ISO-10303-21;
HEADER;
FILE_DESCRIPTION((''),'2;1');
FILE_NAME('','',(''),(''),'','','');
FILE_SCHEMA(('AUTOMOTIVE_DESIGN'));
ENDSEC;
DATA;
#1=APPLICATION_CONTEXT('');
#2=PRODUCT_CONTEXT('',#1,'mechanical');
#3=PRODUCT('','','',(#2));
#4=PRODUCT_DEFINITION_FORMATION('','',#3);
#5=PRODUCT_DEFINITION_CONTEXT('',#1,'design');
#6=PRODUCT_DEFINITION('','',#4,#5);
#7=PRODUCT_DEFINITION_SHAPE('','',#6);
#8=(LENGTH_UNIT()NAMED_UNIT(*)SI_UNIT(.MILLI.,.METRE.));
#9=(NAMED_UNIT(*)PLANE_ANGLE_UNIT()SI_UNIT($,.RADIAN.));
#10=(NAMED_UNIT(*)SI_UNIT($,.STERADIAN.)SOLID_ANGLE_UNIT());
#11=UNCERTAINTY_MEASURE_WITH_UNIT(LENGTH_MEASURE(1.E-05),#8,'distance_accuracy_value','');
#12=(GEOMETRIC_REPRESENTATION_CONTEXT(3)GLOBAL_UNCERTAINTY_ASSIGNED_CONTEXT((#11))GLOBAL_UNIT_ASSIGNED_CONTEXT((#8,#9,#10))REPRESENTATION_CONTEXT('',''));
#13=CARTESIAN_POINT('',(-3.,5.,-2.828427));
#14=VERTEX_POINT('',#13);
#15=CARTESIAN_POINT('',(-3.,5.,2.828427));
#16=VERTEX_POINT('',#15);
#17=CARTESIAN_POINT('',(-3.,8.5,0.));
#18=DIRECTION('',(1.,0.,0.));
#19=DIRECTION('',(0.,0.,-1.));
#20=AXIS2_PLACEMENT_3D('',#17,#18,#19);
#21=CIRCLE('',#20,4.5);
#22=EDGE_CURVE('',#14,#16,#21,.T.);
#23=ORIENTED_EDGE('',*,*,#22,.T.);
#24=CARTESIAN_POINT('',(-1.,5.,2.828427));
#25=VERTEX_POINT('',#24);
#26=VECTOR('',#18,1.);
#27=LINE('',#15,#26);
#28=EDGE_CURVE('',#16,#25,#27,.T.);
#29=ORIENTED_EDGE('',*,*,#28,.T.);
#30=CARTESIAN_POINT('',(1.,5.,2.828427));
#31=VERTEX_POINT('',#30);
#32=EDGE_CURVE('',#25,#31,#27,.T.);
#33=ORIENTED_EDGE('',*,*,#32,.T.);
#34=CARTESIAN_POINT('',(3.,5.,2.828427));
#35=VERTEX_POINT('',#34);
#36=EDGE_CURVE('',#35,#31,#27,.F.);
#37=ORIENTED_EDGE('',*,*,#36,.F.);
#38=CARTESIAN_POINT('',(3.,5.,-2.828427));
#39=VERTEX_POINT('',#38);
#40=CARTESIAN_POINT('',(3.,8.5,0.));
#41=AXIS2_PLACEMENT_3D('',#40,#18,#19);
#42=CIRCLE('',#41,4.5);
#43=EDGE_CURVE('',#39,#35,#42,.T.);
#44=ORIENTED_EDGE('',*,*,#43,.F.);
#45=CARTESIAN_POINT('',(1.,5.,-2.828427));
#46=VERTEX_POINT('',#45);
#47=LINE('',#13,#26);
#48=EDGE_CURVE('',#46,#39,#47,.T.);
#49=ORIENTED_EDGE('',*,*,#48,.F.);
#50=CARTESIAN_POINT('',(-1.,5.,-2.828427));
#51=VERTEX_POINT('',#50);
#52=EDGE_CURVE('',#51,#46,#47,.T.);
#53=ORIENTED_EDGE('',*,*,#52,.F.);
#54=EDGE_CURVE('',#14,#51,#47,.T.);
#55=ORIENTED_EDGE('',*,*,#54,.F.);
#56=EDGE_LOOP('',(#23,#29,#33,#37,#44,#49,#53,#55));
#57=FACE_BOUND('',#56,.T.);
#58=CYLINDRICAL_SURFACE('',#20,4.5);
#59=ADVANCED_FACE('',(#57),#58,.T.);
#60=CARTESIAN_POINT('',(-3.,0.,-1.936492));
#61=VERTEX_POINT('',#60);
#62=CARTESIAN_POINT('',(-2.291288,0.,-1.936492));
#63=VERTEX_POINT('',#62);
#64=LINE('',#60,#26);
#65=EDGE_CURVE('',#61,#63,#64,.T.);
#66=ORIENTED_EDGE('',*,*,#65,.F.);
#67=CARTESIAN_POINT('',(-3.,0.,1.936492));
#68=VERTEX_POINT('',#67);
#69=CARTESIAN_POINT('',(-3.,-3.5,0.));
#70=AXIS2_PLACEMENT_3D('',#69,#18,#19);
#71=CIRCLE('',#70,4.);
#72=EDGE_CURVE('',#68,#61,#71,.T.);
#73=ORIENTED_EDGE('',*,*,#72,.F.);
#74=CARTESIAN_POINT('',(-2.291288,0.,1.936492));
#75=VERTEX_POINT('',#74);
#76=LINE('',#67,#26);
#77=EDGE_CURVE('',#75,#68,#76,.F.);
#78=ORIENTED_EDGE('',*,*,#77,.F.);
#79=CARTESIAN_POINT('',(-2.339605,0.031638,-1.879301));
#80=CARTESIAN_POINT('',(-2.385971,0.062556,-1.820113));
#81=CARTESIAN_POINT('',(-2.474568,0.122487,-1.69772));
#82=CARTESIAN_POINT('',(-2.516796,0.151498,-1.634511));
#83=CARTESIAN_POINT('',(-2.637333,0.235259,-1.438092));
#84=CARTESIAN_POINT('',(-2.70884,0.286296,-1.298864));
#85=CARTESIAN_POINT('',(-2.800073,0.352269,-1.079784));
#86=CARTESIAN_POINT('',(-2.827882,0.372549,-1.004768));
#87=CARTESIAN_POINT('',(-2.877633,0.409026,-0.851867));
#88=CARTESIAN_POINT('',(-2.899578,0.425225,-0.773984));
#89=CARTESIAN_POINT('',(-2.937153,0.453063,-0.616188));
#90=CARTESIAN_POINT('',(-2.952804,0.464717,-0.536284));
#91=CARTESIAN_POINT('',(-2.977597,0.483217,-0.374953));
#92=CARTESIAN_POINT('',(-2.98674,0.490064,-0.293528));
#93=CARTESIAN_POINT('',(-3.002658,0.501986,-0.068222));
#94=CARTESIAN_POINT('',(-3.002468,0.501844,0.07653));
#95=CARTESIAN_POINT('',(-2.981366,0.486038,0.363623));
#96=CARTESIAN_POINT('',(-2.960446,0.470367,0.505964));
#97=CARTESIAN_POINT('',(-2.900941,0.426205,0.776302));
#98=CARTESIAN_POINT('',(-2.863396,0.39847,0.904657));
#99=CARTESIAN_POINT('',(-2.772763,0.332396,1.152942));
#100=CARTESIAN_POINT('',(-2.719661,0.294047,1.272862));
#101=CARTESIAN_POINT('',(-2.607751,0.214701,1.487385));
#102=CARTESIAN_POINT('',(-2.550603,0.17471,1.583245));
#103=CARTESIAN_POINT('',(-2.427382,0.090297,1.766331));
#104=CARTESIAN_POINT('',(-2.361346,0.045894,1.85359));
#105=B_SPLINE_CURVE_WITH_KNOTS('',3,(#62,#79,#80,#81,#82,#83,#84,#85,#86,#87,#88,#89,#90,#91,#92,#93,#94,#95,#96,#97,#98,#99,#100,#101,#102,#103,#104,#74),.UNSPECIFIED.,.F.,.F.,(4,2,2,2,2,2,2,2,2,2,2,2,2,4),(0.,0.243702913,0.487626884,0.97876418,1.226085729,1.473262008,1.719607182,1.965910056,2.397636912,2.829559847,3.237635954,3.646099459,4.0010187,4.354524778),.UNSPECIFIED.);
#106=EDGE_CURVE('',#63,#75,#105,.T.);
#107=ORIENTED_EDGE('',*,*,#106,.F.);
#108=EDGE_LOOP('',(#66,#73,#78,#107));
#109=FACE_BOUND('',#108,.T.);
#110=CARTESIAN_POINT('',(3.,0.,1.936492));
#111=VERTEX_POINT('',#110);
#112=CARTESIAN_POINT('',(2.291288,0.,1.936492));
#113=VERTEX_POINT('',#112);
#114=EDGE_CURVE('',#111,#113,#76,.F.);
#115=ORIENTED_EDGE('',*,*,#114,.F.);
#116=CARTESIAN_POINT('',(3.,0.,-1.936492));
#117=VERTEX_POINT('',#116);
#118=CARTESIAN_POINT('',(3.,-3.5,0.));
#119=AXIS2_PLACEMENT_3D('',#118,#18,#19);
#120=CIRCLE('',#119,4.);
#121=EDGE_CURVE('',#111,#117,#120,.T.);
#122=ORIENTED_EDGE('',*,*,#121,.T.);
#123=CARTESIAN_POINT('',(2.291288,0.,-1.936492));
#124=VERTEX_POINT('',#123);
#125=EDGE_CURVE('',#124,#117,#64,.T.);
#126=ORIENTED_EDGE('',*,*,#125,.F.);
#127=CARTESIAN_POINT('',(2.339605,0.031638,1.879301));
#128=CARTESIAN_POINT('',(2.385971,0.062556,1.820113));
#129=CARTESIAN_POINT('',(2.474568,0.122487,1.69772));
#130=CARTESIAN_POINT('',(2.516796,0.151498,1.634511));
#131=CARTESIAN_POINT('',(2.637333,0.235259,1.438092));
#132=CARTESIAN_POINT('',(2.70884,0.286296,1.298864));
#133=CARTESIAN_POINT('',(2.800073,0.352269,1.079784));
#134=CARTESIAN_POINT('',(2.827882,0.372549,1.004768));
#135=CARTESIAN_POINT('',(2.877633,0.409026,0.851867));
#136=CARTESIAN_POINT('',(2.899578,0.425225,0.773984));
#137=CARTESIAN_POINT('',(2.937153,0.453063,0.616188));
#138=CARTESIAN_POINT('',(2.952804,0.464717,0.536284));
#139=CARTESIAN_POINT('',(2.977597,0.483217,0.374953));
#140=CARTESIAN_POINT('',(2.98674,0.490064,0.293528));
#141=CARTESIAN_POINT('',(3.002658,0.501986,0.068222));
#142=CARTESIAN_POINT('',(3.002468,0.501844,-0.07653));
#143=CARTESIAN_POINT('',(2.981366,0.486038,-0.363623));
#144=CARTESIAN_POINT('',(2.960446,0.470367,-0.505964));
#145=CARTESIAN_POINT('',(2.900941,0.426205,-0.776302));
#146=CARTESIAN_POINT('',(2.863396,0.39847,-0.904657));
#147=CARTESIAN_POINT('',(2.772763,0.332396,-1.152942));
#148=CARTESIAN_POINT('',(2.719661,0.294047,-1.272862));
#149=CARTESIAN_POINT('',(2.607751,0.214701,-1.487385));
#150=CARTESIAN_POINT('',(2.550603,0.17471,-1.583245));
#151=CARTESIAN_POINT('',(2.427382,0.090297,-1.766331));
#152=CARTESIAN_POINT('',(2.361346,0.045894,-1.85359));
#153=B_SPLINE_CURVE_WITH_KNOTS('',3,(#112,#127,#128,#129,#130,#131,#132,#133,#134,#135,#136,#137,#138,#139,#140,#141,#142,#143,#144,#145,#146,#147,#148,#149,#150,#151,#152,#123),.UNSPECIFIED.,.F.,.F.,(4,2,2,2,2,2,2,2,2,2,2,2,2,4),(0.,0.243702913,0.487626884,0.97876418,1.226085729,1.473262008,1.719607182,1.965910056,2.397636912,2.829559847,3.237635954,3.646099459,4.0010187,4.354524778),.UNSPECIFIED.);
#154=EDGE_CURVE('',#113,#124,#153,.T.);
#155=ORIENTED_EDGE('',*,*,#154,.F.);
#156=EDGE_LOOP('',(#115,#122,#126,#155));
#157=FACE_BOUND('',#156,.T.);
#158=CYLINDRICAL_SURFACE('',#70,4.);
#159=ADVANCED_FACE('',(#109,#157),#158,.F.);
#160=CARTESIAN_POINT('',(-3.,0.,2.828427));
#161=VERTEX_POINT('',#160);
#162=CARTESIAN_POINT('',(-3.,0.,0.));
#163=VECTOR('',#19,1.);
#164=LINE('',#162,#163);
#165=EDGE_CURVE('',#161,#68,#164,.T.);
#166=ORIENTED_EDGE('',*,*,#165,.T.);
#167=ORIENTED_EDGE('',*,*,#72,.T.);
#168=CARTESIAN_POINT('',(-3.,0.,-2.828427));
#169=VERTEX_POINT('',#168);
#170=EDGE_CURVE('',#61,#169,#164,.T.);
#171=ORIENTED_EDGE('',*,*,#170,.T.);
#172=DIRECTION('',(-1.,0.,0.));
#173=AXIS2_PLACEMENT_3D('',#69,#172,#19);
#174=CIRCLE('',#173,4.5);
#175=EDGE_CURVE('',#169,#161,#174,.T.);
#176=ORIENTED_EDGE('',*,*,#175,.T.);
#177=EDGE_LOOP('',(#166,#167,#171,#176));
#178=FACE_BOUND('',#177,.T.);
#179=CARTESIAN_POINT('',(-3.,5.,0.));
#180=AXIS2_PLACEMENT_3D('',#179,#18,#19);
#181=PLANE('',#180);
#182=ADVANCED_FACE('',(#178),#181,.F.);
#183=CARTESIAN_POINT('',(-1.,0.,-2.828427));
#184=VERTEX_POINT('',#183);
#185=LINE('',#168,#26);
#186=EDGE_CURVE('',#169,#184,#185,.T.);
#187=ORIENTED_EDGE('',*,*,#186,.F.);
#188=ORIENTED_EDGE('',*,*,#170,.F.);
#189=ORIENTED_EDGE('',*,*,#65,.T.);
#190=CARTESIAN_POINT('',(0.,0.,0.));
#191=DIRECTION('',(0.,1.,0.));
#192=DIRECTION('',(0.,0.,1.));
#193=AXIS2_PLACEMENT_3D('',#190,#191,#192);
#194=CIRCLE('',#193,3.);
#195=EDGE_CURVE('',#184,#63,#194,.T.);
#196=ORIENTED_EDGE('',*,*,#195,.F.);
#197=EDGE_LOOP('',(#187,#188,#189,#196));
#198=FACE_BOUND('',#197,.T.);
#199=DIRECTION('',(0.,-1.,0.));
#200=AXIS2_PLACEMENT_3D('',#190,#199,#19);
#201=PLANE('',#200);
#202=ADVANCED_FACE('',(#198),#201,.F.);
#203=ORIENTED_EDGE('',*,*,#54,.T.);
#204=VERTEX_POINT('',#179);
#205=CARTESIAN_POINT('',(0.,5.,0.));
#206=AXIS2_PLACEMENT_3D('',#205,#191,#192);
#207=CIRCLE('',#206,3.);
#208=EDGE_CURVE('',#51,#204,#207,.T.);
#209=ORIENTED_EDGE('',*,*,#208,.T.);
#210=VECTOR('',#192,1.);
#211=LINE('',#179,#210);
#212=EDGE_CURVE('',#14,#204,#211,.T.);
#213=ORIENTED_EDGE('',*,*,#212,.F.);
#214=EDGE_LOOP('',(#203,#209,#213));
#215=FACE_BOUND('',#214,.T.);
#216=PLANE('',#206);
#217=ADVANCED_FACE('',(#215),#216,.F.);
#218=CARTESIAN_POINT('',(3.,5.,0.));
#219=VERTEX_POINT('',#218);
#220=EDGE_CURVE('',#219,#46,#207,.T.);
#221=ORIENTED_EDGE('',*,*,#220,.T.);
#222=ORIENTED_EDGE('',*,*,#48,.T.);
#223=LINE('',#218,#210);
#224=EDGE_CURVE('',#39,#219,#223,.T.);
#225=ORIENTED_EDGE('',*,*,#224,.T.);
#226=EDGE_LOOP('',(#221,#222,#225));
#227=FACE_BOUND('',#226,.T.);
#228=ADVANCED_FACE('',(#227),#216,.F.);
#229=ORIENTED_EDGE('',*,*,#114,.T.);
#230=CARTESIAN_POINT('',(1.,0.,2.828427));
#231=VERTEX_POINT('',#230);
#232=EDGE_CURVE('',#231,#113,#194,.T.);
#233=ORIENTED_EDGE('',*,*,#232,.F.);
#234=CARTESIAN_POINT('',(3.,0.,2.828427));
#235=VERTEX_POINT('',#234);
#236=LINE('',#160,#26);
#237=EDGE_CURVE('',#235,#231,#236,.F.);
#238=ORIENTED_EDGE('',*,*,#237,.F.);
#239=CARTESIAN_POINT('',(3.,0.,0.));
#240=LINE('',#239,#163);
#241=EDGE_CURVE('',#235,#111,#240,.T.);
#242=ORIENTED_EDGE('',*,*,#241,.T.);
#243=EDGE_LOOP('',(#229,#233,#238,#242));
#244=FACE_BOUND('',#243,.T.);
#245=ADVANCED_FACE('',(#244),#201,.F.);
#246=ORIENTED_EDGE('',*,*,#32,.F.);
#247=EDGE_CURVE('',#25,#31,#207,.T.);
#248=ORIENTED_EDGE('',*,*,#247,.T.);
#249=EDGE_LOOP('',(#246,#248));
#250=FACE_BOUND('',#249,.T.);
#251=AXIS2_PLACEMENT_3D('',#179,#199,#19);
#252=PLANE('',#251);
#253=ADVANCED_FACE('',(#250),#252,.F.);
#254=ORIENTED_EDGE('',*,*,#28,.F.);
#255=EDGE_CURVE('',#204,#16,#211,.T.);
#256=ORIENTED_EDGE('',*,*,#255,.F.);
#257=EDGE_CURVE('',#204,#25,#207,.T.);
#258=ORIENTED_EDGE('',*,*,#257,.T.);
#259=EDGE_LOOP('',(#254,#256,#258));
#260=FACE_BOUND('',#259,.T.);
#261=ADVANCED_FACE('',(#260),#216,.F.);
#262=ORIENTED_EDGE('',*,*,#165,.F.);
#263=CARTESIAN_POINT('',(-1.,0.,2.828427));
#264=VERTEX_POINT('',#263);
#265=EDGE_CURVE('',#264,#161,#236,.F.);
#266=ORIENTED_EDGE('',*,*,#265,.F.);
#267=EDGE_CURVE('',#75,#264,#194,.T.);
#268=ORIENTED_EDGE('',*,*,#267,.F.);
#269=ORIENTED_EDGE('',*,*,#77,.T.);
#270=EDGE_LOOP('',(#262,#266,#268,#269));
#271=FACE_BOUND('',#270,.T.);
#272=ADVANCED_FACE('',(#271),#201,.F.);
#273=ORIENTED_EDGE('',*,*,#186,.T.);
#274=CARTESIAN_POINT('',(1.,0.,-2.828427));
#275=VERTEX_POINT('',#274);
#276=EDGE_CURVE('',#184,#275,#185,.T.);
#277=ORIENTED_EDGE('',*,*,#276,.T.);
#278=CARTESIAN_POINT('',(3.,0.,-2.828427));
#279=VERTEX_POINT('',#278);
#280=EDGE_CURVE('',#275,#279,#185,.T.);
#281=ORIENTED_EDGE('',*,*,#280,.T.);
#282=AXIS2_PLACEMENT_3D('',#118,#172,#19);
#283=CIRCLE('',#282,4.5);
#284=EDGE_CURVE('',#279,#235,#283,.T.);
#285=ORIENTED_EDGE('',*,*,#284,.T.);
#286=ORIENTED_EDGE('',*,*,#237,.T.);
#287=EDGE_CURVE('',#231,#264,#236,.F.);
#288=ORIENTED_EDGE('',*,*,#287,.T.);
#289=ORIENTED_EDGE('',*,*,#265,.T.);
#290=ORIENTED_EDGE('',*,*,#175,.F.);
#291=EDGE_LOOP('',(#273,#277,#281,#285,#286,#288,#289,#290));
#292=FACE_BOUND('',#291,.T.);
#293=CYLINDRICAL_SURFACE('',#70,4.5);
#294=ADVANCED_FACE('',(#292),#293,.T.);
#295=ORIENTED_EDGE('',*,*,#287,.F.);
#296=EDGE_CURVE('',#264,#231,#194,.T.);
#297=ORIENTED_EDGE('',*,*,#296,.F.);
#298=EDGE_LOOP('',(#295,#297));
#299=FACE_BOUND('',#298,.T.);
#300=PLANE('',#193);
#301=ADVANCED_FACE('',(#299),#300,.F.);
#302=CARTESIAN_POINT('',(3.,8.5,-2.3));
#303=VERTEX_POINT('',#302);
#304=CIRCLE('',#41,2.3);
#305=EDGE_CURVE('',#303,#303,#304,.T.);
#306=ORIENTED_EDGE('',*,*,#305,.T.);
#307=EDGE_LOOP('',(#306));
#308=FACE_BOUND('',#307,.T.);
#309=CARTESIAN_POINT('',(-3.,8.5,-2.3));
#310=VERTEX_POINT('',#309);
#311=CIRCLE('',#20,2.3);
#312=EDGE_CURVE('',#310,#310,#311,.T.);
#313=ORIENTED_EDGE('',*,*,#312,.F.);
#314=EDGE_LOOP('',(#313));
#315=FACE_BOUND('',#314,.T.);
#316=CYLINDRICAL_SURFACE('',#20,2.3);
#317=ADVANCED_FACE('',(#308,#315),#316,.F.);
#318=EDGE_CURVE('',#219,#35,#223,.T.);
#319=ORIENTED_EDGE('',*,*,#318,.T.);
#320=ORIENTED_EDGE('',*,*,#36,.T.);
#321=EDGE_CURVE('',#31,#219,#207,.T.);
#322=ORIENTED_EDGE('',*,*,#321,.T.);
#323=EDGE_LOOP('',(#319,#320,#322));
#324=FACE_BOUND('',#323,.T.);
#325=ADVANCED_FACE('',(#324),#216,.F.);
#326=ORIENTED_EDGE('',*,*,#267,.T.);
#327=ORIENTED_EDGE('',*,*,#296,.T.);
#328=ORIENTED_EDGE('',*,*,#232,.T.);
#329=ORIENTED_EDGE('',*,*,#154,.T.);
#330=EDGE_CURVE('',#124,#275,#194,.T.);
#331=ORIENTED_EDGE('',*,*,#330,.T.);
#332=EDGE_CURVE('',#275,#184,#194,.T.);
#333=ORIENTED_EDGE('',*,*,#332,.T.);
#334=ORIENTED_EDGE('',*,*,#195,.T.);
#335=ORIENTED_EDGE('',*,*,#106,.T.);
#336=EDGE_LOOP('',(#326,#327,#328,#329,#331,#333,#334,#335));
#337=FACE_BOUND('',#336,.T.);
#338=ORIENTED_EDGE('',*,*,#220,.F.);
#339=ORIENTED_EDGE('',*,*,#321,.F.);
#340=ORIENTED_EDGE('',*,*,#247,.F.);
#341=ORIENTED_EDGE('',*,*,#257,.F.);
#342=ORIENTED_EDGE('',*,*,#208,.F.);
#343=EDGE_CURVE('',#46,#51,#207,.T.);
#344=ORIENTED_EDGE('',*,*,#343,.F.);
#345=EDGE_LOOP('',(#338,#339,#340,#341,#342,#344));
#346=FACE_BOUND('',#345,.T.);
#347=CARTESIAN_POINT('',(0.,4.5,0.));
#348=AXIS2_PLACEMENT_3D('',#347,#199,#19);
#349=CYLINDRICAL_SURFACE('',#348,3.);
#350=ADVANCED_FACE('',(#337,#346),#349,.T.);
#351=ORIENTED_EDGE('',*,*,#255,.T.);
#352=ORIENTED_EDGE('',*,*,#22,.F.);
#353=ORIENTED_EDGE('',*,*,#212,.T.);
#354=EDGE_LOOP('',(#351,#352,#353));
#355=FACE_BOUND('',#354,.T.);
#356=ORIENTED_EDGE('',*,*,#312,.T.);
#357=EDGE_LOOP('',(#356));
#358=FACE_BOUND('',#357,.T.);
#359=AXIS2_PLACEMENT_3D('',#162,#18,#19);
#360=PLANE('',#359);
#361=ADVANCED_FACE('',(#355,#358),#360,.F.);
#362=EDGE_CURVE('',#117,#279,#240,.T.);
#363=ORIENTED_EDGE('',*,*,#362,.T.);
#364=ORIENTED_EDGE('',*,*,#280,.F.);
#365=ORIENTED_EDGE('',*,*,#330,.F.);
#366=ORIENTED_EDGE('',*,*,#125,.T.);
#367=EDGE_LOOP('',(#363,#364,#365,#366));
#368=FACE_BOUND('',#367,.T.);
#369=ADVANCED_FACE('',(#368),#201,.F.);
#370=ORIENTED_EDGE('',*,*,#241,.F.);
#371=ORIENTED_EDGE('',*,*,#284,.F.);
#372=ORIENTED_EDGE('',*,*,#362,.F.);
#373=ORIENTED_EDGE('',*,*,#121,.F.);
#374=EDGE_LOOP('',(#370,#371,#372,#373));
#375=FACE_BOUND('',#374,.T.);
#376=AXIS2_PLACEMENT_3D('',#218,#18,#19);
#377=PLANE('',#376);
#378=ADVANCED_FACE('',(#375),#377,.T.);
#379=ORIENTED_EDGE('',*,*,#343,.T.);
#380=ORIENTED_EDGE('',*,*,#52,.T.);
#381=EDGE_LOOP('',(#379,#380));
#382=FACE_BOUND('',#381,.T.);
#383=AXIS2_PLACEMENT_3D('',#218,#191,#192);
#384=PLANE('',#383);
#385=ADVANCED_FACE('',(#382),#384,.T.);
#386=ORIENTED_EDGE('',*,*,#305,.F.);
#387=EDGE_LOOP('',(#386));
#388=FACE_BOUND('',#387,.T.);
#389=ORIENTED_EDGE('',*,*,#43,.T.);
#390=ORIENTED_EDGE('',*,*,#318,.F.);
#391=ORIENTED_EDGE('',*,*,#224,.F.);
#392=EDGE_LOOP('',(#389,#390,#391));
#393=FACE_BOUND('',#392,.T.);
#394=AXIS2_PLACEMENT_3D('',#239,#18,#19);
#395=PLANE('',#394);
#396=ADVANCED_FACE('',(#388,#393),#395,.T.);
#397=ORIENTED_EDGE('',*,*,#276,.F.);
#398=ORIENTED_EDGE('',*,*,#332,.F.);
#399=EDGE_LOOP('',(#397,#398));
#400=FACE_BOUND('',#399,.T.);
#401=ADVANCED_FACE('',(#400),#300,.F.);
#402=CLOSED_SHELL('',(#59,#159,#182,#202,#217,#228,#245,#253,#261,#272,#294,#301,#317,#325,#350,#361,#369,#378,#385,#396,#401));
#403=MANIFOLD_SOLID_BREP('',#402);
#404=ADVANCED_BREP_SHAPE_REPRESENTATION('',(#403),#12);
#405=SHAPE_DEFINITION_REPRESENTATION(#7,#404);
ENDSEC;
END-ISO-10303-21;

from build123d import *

# Parameters (mm, degrees)
SKETCH1_R            = 3
CRANK_BODY_DEPTH     = 4.5
PIN_SHAFT_BODY_DEPTH = 3
SKETCH4_R            = 2.3
PIN_SHAFT_DEPTH      = 7
SKETCH1_2_OUTSIDE_W  = 11.382
SKETCH1_2_OUTSIDE_H  = 14.382
SKETCH1_2_OUTSIDE_R  = 3
SMOOTHING_CUTS_DEPTH = 5
SKETCH5_R            = 4
CUT_EXTRUDE1_DEPTH   = 7


with BuildPart() as part:
    # Sketch1 → crank_body (new body)
    with BuildSketch(Plane(origin=(0, 0, 0), x_dir=(1, 0, 0), z_dir=(0, 1, 0))):
        Circle(SKETCH1_R)
    extrude(amount=CRANK_BODY_DEPTH)

    # Sketch3 → pin_shaft_body (add, symmetric)
    with BuildSketch(Plane(origin=(0, 0, 0), x_dir=(0, 0, -1), z_dir=(1, 0, 0))):
        with BuildLine():
            Line((-3, 5), (-3, 4.5))
            Line((-3, 4.5), (3, 4.5))
            Line((3, 4.5), (3, 5))
            Line((3, 5), (2.828427125, 5))
            ThreePointArc((2.828427125, 5), (0, 13), (-2.828427125, 5))
            Line((-2.828427125, 5), (-3, 5))
        make_face()
    pin_shaft_body = extrude(amount=PIN_SHAFT_BODY_DEPTH, both=True)

    # Sketch4 → pin_shaft (cut, through all)
    with BuildSketch(Plane(origin=(3, 0, 0), x_dir=(0, 0, -1), z_dir=(1, 0, 0))):
        with Locations((0, 8.5)):
            Circle(SKETCH4_R)
    extrude(amount=-PIN_SHAFT_DEPTH, mode=Mode.SUBTRACT)

    # Sketch1<2> outside → smoothing_cuts (cut)
    with BuildSketch(Plane(origin=(0, 0, 0), x_dir=(1, 0, 0), z_dir=(0, 1, 0))):
        Rectangle(SKETCH1_2_OUTSIDE_W, SKETCH1_2_OUTSIDE_H)
        Circle(SKETCH1_2_OUTSIDE_R, mode=Mode.SUBTRACT)
    smoothing_cuts = extrude(amount=SMOOTHING_CUTS_DEPTH, mode=Mode.SUBTRACT)

    # Mirror1: pin_shaft_body, smoothing_cuts across plane
    add(pin_shaft_body.mirror(Plane(origin=(0, 2.5, 0), x_dir=(0, 0, 1), z_dir=(0, -1, 0))))
    add(smoothing_cuts.mirror(Plane(origin=(0, 2.5, 0), x_dir=(0, 0, 1), z_dir=(0, -1, 0))), mode=Mode.SUBTRACT)

    # Sketch5 → Cut-Extrude1 (cut, through all)
    with BuildSketch(Plane(origin=(3, 0, 0), x_dir=(0, 0, -1), z_dir=(1, 0, 0))):
        with Locations((0, -3.5)):
            Circle(SKETCH5_R)
    extrude(amount=-CUT_EXTRUDE1_DEPTH, mode=Mode.SUBTRACT)


solid = part.part
